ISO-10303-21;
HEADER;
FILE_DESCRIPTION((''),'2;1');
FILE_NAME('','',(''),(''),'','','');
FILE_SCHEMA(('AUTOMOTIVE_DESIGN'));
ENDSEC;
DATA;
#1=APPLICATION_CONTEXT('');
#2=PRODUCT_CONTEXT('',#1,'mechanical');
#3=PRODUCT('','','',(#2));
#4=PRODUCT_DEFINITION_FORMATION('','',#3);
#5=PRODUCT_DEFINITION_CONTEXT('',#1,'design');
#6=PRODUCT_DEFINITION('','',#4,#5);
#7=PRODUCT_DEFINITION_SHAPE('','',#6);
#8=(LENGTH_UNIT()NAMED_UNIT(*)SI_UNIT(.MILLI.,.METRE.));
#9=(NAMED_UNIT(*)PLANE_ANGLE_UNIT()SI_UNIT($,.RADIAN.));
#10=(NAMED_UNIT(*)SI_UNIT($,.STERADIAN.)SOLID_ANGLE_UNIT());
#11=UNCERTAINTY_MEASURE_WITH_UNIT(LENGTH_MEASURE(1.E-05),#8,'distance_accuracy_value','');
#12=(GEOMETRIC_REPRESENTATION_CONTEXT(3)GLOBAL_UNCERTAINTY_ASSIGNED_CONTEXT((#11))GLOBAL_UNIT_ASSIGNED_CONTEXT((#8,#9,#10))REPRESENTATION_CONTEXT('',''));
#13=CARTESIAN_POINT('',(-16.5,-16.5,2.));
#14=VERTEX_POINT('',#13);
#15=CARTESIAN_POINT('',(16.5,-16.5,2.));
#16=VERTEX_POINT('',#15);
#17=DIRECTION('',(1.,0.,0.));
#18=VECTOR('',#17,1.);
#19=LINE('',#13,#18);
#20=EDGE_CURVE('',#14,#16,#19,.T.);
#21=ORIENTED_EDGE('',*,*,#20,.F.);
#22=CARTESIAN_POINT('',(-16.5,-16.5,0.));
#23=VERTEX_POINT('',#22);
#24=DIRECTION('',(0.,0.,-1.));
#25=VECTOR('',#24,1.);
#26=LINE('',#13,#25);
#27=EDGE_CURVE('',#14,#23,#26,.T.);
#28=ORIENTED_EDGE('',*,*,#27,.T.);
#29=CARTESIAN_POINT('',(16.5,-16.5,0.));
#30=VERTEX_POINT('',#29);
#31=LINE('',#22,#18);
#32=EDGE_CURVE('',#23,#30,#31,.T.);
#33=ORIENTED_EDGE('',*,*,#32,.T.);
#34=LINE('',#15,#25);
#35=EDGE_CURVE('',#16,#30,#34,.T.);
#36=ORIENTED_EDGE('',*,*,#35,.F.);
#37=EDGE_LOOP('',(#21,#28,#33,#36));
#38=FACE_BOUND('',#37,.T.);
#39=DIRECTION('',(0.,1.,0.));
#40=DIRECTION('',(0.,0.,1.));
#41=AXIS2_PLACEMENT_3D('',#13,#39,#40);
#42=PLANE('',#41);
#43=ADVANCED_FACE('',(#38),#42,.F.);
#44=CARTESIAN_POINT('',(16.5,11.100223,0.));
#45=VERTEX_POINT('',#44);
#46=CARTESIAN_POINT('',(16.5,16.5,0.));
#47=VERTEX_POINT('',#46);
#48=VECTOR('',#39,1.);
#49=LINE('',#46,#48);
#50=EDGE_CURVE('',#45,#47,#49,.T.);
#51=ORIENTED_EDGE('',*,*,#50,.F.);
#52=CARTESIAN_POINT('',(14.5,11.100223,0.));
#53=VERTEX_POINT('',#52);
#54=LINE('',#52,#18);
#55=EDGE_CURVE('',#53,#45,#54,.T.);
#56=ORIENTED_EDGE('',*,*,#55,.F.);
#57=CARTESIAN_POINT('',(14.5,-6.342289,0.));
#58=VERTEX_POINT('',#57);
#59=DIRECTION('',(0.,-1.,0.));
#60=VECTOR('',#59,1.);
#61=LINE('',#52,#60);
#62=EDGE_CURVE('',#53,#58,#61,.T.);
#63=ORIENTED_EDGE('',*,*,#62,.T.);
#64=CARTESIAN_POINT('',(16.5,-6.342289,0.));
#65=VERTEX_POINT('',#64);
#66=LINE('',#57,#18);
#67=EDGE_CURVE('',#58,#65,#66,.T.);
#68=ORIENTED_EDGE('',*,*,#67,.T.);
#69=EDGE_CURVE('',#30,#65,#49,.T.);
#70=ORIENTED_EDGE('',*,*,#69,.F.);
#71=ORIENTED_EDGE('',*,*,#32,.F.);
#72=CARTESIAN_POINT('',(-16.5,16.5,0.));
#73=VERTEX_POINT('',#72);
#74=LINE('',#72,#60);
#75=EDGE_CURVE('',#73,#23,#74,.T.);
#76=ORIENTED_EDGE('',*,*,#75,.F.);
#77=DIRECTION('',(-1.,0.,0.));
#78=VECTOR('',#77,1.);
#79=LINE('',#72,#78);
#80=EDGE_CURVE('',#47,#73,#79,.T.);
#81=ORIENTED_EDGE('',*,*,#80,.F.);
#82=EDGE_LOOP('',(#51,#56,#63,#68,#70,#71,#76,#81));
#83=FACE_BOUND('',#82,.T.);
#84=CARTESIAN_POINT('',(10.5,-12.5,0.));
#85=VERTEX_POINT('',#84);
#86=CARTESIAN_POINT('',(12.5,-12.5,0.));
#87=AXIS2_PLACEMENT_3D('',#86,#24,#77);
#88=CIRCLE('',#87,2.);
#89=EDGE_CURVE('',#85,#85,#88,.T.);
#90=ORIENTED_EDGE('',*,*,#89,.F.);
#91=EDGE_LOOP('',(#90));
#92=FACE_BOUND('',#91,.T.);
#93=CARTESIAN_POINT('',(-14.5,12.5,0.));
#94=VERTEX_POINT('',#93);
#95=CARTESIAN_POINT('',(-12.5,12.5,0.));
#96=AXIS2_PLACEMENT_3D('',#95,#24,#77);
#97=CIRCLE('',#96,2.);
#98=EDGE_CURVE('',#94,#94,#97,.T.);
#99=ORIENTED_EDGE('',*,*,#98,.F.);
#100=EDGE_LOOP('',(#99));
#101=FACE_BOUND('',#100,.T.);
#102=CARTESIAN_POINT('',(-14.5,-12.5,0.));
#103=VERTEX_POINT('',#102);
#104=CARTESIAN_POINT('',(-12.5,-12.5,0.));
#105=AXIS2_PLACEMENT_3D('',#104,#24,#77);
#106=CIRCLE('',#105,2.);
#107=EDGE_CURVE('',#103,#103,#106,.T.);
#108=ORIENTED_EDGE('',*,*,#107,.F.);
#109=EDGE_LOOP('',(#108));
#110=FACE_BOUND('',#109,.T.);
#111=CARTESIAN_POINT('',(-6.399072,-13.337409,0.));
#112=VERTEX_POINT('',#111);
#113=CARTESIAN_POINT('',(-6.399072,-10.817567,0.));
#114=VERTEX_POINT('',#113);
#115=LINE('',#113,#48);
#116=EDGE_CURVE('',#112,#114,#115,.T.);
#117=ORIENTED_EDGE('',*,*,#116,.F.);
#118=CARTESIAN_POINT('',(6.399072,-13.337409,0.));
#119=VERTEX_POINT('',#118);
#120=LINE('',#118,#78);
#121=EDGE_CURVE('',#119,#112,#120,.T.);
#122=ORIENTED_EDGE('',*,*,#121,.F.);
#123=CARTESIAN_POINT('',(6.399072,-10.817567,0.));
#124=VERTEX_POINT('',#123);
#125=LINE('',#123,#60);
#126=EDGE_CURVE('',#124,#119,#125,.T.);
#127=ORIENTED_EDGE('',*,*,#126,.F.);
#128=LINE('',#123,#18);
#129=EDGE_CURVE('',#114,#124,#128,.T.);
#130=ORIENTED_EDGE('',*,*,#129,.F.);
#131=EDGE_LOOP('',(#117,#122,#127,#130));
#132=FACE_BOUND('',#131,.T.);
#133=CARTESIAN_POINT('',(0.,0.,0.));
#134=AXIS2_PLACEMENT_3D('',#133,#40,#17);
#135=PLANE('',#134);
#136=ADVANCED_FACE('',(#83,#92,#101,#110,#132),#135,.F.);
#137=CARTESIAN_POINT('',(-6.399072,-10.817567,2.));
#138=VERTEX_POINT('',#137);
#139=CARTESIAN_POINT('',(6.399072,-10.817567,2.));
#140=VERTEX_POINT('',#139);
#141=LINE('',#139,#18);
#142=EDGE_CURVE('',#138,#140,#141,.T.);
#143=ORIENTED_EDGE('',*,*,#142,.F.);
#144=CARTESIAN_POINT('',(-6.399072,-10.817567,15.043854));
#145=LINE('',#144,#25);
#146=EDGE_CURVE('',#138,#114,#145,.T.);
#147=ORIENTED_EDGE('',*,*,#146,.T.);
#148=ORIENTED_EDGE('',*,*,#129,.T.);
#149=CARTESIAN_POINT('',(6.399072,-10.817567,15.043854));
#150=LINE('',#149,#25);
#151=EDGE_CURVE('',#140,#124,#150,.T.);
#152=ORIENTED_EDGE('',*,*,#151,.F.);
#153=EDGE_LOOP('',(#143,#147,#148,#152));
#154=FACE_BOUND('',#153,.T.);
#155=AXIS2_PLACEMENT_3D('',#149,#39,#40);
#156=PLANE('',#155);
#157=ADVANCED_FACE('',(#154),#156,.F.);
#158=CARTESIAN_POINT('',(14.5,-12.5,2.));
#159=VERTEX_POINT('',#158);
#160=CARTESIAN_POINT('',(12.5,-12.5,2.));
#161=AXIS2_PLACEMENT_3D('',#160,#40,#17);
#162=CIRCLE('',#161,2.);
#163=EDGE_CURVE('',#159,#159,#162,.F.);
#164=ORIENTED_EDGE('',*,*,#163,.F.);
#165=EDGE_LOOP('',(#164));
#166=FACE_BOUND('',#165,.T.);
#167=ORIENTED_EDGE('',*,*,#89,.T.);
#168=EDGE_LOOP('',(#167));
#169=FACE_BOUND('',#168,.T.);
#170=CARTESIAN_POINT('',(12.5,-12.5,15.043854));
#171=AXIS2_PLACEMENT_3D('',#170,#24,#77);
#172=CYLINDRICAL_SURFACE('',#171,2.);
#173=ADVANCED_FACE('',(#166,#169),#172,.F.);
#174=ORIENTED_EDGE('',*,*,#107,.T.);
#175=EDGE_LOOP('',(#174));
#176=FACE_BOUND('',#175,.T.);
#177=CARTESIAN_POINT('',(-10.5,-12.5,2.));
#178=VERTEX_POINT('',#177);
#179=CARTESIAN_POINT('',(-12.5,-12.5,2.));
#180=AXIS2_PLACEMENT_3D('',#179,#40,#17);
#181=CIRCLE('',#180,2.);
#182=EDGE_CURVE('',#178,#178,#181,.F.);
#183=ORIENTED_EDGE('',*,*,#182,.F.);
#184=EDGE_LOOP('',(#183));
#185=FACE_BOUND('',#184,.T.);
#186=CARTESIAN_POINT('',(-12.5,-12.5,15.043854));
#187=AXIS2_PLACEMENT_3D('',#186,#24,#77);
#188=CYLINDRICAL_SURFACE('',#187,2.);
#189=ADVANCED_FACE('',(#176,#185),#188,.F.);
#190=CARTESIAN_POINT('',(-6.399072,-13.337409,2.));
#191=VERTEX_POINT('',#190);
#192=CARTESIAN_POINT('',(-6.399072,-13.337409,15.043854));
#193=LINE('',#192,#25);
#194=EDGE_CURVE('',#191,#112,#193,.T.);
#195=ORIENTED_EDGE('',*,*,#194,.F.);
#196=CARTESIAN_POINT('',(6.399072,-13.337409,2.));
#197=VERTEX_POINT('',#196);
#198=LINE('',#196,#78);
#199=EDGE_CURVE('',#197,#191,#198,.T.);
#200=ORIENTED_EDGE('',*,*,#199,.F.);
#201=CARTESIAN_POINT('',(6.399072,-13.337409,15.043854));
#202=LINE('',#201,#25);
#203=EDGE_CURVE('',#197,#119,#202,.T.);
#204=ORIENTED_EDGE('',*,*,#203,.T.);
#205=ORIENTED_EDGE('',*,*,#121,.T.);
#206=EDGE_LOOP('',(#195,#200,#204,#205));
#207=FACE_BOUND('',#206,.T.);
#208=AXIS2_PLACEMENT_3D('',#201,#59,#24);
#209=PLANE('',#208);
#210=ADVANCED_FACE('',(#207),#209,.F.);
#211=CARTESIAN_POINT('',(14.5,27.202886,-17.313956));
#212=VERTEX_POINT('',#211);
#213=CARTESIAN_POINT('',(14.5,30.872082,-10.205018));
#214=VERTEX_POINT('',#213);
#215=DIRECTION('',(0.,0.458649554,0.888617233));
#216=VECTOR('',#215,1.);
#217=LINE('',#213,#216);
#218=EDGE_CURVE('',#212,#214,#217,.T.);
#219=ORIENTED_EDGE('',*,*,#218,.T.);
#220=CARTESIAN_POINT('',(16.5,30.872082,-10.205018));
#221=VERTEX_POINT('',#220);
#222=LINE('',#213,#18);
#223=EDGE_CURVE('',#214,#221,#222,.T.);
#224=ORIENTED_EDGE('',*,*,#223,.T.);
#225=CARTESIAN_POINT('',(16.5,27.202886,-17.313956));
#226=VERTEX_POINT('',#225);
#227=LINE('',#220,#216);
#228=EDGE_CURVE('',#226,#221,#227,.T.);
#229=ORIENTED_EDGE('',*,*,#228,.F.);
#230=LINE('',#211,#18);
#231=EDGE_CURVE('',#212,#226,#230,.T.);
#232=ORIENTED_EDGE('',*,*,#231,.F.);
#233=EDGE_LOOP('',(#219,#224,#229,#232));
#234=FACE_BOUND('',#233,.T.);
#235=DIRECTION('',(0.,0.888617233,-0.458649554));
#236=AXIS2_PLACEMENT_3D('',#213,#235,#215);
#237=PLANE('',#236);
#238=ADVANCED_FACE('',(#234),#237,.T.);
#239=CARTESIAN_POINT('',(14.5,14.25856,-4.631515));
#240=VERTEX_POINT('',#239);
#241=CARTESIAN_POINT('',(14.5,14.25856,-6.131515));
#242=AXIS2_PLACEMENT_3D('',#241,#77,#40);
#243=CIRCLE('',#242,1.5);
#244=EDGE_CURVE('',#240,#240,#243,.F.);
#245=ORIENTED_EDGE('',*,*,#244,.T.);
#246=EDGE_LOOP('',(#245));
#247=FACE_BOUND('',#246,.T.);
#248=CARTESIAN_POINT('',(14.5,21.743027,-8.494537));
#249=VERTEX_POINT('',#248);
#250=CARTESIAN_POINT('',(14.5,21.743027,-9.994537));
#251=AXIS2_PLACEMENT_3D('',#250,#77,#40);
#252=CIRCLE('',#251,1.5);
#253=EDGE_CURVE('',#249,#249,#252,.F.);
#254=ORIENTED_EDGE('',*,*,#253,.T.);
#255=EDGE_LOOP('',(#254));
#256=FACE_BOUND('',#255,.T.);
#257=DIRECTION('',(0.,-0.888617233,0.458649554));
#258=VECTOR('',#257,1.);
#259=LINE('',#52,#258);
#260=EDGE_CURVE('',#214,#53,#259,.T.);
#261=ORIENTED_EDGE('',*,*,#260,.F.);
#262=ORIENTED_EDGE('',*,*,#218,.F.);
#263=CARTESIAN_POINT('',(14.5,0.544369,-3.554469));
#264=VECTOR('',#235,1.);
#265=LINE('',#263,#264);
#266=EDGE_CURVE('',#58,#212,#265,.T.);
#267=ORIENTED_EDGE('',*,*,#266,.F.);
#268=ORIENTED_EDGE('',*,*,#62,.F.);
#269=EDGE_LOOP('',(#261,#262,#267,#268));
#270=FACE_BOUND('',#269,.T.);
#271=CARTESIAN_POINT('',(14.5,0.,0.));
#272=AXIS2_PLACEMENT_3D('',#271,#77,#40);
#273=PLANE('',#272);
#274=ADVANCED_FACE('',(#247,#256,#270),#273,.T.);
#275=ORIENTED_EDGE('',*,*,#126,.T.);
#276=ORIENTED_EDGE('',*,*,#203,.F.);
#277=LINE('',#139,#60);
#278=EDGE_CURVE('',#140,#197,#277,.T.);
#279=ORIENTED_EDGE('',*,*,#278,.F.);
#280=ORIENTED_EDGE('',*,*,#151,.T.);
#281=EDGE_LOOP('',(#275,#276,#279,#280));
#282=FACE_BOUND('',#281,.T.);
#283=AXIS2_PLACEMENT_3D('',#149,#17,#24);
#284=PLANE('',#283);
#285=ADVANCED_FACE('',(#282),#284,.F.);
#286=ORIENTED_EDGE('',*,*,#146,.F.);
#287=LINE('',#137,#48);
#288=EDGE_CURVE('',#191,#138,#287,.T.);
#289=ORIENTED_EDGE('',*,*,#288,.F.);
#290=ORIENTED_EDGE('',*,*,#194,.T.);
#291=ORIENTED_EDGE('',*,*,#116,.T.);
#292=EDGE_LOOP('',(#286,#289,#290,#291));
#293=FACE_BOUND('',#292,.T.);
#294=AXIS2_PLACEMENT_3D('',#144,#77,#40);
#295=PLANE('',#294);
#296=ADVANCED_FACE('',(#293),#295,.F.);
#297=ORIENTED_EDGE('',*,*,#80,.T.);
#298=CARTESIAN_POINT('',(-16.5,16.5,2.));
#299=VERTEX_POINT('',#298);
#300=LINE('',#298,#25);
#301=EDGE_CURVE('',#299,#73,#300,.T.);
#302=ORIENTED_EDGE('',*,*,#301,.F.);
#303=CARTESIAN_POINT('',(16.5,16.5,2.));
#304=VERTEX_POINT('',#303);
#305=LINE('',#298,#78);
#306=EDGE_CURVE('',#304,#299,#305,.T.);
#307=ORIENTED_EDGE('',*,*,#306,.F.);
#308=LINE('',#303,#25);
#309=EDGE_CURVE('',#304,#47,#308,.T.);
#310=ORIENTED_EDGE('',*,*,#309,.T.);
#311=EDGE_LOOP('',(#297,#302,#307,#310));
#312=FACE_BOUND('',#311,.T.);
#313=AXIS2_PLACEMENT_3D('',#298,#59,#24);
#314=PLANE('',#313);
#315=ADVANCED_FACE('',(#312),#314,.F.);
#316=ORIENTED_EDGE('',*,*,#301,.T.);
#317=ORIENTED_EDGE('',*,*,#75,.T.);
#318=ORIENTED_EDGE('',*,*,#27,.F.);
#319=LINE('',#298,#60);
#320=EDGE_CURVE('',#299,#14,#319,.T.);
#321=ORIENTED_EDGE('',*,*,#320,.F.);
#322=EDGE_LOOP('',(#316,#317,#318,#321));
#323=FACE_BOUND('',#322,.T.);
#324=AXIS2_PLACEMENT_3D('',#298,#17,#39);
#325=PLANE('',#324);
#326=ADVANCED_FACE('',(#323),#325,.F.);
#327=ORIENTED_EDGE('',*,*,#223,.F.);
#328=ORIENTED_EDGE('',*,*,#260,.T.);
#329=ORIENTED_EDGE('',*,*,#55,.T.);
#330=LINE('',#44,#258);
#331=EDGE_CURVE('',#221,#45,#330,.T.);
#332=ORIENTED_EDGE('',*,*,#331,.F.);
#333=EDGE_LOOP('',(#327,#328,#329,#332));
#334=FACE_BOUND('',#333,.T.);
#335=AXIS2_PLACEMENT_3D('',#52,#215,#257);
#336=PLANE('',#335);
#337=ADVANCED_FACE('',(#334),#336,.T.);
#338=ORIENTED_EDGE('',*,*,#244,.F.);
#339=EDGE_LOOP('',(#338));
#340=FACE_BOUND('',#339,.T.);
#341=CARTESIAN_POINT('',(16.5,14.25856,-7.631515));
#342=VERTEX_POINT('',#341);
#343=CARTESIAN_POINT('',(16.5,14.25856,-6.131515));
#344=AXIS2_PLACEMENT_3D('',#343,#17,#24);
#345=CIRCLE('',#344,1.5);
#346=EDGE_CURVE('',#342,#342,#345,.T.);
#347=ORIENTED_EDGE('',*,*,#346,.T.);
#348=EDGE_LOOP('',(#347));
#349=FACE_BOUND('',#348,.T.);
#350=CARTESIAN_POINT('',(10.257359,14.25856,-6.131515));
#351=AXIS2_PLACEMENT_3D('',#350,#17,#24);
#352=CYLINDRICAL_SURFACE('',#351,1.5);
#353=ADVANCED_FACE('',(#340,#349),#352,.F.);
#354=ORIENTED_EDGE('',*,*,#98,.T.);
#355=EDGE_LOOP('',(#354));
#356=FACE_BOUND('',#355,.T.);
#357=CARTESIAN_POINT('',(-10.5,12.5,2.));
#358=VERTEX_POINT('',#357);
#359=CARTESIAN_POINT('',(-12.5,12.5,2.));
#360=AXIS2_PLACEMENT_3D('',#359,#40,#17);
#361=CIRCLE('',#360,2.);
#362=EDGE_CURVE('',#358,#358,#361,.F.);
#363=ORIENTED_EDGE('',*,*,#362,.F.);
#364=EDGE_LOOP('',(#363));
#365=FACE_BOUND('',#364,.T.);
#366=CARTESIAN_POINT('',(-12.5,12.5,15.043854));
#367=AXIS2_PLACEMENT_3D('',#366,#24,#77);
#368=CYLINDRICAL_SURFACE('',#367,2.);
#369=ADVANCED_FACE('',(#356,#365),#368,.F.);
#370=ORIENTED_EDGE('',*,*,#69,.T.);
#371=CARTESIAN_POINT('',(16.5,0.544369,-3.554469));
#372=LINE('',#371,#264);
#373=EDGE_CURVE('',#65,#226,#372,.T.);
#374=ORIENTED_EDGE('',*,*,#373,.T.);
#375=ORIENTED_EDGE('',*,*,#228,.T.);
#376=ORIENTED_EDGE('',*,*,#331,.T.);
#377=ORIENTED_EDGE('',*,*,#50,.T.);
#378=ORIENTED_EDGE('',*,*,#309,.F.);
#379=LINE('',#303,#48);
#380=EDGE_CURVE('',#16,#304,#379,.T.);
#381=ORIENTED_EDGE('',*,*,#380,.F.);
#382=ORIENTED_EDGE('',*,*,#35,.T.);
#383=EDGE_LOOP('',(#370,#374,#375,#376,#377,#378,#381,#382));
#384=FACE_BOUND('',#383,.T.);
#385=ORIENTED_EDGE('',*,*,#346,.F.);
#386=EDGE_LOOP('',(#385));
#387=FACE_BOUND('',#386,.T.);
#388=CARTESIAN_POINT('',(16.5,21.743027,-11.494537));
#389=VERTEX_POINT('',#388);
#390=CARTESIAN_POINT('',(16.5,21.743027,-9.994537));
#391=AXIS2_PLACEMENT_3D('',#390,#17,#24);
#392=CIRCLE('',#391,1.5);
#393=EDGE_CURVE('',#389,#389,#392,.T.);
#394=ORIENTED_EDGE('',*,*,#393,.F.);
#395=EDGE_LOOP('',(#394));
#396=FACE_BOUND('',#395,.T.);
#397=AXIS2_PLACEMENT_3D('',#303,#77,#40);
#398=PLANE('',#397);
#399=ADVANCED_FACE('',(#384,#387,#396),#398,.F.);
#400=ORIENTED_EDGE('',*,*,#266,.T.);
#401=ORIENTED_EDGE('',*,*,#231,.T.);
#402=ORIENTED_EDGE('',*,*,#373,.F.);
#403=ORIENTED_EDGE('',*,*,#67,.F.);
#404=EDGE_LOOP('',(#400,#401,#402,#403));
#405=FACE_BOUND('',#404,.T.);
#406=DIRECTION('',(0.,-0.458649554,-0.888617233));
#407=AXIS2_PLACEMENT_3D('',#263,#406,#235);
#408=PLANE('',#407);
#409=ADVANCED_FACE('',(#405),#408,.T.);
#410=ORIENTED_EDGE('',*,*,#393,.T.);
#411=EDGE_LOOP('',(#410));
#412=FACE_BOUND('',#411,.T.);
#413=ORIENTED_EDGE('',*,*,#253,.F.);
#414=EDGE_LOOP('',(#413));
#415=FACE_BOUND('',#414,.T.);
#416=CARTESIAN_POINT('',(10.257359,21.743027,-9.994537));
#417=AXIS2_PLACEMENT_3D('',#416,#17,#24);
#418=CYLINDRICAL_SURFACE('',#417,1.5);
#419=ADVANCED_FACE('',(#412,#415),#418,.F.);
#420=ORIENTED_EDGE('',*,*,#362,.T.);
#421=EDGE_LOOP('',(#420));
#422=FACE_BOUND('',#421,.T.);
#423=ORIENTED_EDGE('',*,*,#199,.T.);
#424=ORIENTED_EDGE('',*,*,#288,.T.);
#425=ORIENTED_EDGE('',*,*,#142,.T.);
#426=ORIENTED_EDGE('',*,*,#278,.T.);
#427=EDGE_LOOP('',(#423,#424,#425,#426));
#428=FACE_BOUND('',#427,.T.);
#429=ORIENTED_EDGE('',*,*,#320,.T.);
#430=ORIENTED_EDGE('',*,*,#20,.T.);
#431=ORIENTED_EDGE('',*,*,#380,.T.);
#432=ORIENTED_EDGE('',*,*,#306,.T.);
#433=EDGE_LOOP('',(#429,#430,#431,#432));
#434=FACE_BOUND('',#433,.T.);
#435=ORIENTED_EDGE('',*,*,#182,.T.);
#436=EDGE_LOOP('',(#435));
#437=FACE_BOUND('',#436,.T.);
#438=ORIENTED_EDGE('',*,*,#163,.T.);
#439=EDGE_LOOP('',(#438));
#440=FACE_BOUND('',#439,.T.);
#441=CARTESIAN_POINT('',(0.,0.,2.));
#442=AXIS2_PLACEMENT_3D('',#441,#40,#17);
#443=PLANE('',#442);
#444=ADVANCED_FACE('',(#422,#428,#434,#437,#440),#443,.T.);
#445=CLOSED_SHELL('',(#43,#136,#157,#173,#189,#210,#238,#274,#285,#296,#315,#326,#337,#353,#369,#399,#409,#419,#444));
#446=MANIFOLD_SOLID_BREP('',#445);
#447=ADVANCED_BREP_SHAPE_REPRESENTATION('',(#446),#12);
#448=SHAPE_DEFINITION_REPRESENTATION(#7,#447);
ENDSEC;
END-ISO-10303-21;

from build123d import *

# Parameters (mm, degrees)
SKETCH2_W           = 33
SKETCH2_H           = 33
BOSS_EXTRUDE1_DEPTH = 2
BOSS_EXTRUDE2_DEPTH = 2
SKETCH4_R           = 1.5
CUT_EXTRUDE1_DEPTH  = 2
SKETCH5_R           = 2
SKETCH5_W           = 12.798144854
SKETCH5_H           = 2.519841992
CUT_EXTRUDE2_DEPTH  = 2


with BuildPart() as part:
    # Sketch2 → Boss-Extrude1 (new body)
    with BuildSketch(Plane.XY):
        Rectangle(SKETCH2_W, SKETCH2_H)
    extrude(amount=BOSS_EXTRUDE1_DEPTH)

    # Sketch3 → Boss-Extrude2 (add)
    with BuildSketch(Plane(origin=(16.5, 0, 0), x_dir=(0, 0, -1), z_dir=(1, 0, 0))):
        Polygon((3.554468931, 0.544368727), (0, -6.342288665), (0, 11.100222554), (10.205017704, 30.872082142), (17.313955565, 27.202885706), align=None)
    extrude(amount=-BOSS_EXTRUDE2_DEPTH)

    # Sketch4 → Cut-Extrude1 (cut)
    with BuildSketch(Plane(origin=(16.5, 0, 0), x_dir=(0, 0, -1), z_dir=(1, 0, 0))):
        with Locations((6.13151514, 14.258559898)):
            Circle(SKETCH4_R)
        with Locations((9.994536788, 21.743027229)):
            Circle(SKETCH4_R)
    extrude(amount=-CUT_EXTRUDE1_DEPTH, mode=Mode.SUBTRACT)

    # Sketch5 → Cut-Extrude2 (cut)
    with BuildSketch(Plane(origin=(0, 0, 0), x_dir=(-1, 0, 0), z_dir=(0, 0, -1))):
        with Locations((12.5, 12.5)):
            Circle(SKETCH5_R)
        with Locations((12.5, -12.5)):
            Circle(SKETCH5_R)
        with Locations((-12.5, -12.5)):
            Circle(SKETCH5_R)
        with Locations((0, -12.077487842)):
            Rectangle(SKETCH5_W, SKETCH5_H)
    extrude(amount=-CUT_EXTRUDE2_DEPTH, mode=Mode.SUBTRACT)


solid = part.part
